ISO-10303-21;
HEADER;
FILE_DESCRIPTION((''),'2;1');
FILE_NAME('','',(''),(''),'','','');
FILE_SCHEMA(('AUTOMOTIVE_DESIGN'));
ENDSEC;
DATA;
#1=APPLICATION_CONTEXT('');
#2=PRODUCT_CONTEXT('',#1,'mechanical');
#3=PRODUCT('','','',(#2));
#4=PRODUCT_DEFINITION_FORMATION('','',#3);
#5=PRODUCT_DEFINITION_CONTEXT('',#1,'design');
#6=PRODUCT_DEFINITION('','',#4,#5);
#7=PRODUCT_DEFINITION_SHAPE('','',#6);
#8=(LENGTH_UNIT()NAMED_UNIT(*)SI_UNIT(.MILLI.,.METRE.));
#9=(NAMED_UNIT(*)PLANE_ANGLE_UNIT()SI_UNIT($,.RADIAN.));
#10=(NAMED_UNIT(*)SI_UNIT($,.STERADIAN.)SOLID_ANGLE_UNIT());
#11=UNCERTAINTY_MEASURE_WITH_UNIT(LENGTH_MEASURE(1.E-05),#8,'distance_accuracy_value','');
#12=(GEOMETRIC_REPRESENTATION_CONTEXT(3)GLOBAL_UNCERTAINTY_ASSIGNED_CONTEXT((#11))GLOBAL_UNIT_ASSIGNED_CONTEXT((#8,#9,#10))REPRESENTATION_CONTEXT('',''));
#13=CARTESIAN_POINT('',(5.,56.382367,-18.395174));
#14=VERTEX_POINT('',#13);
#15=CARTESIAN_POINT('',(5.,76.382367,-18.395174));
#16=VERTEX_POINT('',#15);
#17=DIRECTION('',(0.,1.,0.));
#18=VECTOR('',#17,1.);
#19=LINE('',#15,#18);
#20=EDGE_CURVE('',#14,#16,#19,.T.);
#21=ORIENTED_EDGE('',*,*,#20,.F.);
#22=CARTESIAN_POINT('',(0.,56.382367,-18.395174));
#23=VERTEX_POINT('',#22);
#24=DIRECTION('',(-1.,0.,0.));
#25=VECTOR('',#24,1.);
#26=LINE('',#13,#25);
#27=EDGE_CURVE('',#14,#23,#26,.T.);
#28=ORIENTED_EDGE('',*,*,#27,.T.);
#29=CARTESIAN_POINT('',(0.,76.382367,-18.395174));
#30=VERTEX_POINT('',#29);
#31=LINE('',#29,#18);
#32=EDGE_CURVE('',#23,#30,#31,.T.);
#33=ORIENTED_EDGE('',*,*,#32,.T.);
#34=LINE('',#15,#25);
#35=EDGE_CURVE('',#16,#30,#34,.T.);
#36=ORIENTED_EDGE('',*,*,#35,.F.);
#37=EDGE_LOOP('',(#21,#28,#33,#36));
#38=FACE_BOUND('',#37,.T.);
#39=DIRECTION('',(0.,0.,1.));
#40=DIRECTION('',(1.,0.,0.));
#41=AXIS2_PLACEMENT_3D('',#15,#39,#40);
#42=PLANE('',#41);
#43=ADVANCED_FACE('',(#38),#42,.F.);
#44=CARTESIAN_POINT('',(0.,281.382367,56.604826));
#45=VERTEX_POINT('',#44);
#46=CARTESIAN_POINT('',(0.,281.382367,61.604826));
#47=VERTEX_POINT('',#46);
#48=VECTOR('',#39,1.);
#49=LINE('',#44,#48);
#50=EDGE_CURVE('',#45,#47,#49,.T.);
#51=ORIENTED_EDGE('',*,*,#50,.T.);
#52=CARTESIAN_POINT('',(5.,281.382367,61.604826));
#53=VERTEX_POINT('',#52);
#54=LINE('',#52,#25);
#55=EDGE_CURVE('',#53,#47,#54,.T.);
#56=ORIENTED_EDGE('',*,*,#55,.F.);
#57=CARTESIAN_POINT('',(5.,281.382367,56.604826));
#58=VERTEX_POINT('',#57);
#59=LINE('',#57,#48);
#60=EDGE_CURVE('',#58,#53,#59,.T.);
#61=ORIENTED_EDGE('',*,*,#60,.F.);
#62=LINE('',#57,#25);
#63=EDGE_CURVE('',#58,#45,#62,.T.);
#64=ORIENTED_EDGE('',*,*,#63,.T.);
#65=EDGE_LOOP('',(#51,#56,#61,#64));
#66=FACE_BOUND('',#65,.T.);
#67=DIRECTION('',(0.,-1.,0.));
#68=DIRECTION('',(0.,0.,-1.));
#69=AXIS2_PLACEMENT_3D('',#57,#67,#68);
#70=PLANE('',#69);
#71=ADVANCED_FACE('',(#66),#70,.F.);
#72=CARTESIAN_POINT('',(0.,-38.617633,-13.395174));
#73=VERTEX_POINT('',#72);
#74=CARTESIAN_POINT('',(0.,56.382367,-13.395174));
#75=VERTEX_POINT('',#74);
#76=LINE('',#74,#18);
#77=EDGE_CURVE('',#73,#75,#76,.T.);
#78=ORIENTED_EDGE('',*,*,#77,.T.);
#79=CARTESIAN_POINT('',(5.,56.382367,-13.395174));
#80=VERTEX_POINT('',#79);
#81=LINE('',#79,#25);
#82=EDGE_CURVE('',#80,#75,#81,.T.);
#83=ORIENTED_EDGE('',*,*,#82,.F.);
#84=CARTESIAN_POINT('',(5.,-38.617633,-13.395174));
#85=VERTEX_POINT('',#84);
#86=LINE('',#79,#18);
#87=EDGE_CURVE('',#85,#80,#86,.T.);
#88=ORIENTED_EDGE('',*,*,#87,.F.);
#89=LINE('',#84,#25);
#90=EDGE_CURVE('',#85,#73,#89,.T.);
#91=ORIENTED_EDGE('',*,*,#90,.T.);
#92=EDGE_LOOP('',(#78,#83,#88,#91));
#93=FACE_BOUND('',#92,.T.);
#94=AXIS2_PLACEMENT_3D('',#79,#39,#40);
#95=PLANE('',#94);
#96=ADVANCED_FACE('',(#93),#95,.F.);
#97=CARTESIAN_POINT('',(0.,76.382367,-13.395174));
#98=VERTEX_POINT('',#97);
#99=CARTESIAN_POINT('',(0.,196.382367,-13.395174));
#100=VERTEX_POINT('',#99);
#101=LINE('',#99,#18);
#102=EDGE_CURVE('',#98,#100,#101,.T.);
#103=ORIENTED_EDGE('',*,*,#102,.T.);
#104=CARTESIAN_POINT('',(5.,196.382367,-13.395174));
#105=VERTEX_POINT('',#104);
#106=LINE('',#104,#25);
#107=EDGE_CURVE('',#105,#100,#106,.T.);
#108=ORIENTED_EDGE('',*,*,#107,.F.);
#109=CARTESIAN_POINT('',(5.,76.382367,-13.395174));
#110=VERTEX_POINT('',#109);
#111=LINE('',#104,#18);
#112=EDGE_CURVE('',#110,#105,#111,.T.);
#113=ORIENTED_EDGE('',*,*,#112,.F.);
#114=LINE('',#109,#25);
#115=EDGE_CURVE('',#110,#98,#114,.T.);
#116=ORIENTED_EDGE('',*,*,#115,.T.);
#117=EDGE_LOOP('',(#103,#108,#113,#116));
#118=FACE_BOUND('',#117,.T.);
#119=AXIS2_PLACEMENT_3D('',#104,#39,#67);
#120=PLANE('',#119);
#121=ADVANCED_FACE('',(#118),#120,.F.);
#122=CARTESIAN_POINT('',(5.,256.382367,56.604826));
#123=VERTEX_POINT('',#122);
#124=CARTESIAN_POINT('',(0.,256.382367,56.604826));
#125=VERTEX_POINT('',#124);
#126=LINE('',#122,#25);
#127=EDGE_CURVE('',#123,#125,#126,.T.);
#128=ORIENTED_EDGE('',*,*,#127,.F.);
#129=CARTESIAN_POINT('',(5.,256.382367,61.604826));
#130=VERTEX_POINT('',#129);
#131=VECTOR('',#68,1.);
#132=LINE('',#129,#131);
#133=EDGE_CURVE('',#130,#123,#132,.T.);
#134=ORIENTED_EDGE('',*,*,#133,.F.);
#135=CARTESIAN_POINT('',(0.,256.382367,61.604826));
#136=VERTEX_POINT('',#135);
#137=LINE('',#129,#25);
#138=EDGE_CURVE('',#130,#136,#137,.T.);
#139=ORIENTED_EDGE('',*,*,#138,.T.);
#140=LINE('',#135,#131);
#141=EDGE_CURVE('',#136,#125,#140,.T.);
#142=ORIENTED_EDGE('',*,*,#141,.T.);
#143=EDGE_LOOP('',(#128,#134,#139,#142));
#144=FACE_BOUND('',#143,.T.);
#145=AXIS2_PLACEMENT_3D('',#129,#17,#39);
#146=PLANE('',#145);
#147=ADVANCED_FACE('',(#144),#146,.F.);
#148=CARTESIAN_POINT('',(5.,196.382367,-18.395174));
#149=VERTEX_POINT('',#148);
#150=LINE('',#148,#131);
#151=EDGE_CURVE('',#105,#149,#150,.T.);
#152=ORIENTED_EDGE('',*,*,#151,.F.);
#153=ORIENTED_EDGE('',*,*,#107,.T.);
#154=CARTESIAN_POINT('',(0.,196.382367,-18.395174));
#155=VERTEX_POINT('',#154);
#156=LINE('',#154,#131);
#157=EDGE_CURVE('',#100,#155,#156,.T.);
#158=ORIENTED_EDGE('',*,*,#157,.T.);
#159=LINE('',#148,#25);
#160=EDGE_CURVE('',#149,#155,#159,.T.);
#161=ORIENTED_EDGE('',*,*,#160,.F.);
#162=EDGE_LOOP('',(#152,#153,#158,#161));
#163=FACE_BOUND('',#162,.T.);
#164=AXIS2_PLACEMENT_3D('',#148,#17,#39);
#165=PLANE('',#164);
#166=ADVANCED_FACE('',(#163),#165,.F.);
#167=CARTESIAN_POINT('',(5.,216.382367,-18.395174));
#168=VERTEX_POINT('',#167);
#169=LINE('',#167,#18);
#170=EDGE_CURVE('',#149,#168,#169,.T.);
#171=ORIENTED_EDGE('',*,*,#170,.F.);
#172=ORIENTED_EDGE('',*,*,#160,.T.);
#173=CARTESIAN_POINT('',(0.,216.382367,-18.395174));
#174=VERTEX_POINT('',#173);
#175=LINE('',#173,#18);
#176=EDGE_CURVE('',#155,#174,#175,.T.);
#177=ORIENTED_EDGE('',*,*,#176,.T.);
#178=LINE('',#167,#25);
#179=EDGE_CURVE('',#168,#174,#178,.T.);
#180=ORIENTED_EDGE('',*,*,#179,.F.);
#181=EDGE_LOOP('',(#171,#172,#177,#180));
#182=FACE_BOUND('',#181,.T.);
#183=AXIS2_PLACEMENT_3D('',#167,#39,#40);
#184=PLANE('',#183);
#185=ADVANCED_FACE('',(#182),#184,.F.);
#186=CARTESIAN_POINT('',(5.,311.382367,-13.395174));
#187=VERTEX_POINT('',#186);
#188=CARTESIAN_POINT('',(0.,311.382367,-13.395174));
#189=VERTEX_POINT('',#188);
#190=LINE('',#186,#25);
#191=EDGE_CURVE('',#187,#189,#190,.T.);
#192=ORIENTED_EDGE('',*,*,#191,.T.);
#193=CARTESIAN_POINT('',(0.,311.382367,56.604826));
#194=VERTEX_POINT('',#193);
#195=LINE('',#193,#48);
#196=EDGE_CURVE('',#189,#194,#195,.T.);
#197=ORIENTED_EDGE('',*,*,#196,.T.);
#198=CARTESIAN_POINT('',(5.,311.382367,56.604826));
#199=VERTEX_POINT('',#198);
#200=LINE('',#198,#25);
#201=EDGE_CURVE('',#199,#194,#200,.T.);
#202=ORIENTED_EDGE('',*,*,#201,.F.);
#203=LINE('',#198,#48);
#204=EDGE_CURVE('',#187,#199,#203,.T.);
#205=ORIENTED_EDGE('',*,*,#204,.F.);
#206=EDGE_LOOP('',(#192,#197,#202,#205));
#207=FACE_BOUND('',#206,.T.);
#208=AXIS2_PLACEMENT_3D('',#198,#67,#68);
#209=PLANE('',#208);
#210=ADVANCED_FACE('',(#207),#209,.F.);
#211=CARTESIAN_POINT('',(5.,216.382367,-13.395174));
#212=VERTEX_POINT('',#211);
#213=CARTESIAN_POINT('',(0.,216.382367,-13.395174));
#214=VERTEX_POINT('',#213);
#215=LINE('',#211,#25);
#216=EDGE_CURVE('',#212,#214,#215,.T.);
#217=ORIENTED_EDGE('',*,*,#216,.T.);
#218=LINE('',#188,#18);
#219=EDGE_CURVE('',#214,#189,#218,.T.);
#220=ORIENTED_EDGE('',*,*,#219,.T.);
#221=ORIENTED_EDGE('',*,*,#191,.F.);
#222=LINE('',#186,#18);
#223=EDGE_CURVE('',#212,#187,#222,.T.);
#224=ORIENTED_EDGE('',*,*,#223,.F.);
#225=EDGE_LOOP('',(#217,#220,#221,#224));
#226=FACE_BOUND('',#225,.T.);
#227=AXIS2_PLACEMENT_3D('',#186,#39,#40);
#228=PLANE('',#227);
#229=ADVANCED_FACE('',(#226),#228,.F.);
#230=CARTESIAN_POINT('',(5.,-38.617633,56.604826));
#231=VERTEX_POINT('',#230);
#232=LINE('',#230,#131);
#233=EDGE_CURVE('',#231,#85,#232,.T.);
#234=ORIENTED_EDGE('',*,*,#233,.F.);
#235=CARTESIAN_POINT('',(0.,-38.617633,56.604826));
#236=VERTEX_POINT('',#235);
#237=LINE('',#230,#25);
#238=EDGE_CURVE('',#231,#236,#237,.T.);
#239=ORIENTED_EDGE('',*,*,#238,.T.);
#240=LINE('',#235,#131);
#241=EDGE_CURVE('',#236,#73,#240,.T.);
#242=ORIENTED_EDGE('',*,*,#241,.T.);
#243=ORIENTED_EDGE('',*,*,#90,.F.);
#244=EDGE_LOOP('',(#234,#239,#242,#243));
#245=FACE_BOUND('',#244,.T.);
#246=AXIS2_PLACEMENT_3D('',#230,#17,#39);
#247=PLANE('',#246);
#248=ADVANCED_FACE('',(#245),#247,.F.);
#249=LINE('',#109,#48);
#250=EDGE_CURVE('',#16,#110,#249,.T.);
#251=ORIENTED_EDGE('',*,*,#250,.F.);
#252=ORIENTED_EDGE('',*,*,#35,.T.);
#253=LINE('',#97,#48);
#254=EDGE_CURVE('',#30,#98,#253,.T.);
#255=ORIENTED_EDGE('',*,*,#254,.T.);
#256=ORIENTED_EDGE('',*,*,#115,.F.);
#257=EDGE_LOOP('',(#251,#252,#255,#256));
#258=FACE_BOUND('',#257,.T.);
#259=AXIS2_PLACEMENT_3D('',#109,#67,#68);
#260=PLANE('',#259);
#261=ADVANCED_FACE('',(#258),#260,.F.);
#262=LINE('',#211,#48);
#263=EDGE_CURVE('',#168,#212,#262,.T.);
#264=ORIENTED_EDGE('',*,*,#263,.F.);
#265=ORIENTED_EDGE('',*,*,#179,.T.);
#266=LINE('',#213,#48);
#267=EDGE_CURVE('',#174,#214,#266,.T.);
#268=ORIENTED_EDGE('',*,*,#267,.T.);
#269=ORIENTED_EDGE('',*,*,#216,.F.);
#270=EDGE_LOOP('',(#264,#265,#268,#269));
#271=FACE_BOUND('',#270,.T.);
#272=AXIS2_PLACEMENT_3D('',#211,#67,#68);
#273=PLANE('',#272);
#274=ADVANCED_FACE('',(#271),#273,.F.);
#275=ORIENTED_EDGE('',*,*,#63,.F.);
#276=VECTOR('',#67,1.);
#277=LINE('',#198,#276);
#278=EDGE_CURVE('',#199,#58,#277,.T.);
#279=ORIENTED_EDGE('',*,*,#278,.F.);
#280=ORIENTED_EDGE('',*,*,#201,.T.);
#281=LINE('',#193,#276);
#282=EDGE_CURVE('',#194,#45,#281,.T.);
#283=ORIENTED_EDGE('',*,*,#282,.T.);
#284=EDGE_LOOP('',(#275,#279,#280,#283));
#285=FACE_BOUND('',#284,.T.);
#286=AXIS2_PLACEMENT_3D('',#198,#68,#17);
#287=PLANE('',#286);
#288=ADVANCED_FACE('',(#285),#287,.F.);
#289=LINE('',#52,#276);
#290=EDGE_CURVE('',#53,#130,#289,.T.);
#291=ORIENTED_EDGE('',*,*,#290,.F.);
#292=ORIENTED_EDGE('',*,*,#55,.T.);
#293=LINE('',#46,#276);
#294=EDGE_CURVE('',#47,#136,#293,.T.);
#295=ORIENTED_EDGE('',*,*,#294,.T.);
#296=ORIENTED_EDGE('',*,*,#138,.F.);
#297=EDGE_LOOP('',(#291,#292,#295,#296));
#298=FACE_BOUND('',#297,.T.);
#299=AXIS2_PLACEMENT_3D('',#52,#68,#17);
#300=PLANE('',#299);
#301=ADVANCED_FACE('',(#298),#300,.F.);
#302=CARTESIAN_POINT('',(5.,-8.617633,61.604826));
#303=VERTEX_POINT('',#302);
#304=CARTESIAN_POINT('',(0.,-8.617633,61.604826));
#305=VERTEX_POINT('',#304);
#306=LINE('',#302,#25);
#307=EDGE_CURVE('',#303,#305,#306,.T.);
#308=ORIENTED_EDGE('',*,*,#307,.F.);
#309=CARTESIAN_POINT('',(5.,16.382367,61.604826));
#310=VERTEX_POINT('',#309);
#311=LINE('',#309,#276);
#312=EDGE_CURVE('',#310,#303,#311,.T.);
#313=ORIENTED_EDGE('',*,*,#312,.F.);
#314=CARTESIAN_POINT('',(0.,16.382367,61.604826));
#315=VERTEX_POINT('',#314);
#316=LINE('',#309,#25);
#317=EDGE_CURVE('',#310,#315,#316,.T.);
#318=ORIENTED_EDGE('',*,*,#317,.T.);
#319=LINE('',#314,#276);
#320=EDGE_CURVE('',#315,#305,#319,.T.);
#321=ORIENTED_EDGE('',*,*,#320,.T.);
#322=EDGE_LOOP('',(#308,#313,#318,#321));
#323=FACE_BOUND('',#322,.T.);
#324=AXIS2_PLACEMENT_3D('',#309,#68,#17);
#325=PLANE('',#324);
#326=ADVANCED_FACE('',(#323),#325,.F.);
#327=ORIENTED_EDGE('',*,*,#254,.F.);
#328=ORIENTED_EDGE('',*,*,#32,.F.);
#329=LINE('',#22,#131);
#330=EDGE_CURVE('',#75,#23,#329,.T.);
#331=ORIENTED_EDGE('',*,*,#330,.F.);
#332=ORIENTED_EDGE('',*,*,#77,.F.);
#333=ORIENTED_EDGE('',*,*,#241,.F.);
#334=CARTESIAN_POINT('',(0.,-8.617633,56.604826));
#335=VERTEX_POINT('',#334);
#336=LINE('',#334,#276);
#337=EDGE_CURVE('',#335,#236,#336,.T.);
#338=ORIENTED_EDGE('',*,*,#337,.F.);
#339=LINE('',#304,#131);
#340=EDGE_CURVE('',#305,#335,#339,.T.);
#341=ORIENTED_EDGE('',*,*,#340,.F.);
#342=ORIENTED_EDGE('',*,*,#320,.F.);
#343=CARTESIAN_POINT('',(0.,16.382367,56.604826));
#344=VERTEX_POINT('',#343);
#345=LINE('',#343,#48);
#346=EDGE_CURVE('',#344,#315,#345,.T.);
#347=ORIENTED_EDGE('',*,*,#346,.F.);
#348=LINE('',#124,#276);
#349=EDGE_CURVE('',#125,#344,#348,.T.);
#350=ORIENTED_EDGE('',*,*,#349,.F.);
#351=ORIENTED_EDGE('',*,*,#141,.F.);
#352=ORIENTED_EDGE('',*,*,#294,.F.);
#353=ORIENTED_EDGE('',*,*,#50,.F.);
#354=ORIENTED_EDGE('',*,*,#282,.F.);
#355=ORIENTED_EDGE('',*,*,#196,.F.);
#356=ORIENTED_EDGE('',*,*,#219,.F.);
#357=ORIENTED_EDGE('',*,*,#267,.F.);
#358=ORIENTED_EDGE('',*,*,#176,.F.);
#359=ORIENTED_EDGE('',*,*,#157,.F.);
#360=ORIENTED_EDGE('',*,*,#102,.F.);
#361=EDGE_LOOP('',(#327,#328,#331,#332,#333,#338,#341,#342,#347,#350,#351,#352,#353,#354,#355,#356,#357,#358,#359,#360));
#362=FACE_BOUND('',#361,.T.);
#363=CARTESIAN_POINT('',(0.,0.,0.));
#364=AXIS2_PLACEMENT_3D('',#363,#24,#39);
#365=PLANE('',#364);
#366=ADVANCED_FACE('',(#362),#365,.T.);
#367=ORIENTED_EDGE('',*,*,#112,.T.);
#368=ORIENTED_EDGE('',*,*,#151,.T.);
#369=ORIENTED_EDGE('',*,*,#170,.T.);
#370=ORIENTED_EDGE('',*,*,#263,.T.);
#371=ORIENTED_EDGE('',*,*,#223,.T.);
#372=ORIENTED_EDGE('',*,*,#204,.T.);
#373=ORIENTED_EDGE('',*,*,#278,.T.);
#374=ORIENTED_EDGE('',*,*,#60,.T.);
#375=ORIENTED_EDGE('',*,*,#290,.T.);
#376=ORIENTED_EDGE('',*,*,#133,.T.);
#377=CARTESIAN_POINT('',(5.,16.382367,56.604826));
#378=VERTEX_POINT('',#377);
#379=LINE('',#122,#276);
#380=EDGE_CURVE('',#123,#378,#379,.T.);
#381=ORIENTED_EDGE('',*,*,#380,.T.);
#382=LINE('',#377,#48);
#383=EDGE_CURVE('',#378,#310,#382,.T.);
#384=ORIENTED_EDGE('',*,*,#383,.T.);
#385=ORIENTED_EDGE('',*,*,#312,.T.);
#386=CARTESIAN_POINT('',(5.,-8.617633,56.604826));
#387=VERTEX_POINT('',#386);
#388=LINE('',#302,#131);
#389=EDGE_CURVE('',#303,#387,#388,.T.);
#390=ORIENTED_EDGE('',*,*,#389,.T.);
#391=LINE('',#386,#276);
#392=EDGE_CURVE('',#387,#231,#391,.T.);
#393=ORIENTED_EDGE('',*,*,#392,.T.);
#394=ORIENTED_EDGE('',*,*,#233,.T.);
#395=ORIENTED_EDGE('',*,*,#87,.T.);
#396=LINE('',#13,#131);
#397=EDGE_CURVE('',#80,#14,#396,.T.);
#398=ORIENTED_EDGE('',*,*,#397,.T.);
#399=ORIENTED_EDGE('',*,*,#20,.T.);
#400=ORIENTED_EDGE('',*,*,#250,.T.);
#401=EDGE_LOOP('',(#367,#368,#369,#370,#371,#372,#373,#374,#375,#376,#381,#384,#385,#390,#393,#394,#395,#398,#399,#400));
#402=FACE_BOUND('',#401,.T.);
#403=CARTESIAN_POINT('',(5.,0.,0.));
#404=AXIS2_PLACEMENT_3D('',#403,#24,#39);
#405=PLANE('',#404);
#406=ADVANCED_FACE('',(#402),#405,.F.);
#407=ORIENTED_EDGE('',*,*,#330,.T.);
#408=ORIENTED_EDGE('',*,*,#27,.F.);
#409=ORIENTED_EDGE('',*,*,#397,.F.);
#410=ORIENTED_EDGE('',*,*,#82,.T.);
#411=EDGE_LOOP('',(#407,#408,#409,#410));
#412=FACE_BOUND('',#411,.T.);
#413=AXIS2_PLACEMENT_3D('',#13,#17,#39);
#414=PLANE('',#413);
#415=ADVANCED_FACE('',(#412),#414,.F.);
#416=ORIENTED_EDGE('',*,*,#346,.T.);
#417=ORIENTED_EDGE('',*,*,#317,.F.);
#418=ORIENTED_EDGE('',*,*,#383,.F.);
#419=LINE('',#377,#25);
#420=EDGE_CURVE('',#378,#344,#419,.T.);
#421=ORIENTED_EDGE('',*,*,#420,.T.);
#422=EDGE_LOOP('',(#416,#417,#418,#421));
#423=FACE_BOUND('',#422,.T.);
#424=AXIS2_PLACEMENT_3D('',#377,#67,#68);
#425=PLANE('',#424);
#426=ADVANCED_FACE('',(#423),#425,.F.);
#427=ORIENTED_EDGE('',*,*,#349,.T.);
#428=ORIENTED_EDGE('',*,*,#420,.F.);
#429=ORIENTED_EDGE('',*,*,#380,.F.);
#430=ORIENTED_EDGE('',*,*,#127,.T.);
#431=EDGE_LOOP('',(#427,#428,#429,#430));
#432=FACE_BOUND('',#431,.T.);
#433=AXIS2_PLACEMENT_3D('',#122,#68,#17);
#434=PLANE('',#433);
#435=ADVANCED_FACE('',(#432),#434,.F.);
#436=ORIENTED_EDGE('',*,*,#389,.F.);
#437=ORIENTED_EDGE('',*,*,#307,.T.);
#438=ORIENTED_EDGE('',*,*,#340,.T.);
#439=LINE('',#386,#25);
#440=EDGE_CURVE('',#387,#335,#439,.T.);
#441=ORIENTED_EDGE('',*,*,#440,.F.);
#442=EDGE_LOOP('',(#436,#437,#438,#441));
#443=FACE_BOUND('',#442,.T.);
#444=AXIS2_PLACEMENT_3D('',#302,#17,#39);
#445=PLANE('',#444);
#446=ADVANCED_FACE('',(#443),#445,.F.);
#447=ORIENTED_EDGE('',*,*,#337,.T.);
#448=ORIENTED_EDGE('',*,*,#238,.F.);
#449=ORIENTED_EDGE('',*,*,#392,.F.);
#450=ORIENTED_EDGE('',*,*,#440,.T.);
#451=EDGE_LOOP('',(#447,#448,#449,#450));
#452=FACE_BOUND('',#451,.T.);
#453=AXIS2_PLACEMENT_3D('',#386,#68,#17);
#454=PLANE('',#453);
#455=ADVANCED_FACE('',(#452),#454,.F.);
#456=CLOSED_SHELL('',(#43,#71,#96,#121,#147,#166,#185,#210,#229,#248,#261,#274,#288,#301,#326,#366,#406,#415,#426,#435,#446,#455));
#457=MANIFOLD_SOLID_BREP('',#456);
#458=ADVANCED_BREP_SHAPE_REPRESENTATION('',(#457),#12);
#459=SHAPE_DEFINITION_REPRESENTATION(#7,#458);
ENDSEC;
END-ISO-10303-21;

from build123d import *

# Parameters (mm, degrees)
BOSS_EXTRUDE1_DEPTH = 5


with BuildPart() as part:
    # Sketch1 → Boss-Extrude1 (new body)
    with BuildSketch(Plane(origin=(0, 0, 0), x_dir=(0, 0, -1), z_dir=(1, 0, 0))):
        Polygon((-61.604826453, 16.382366839), (-61.604826453, -8.617633161), (-56.604826453, -8.617633161), (-56.604826453, -38.617633161), (13.395173547, -38.617633161), (13.395173547, 56.382366839), (18.395173547, 56.382366839), (18.395173547, 76.382366839), (13.395173547, 76.382366839), (13.395173547, 196.382366839), (18.395173547, 196.382366839), (18.395173547, 216.382366839), (13.395173547, 216.382366839), (13.395173547, 311.382366839), (-56.604826453, 311.382366839), (-56.604826453, 281.382366839), (-61.604826453, 281.382366839), (-61.604826453, 256.382366839), (-56.604826453, 256.382366839), (-56.604826453, 16.382366839), align=None)
    extrude(amount=BOSS_EXTRUDE1_DEPTH)


solid = part.part
